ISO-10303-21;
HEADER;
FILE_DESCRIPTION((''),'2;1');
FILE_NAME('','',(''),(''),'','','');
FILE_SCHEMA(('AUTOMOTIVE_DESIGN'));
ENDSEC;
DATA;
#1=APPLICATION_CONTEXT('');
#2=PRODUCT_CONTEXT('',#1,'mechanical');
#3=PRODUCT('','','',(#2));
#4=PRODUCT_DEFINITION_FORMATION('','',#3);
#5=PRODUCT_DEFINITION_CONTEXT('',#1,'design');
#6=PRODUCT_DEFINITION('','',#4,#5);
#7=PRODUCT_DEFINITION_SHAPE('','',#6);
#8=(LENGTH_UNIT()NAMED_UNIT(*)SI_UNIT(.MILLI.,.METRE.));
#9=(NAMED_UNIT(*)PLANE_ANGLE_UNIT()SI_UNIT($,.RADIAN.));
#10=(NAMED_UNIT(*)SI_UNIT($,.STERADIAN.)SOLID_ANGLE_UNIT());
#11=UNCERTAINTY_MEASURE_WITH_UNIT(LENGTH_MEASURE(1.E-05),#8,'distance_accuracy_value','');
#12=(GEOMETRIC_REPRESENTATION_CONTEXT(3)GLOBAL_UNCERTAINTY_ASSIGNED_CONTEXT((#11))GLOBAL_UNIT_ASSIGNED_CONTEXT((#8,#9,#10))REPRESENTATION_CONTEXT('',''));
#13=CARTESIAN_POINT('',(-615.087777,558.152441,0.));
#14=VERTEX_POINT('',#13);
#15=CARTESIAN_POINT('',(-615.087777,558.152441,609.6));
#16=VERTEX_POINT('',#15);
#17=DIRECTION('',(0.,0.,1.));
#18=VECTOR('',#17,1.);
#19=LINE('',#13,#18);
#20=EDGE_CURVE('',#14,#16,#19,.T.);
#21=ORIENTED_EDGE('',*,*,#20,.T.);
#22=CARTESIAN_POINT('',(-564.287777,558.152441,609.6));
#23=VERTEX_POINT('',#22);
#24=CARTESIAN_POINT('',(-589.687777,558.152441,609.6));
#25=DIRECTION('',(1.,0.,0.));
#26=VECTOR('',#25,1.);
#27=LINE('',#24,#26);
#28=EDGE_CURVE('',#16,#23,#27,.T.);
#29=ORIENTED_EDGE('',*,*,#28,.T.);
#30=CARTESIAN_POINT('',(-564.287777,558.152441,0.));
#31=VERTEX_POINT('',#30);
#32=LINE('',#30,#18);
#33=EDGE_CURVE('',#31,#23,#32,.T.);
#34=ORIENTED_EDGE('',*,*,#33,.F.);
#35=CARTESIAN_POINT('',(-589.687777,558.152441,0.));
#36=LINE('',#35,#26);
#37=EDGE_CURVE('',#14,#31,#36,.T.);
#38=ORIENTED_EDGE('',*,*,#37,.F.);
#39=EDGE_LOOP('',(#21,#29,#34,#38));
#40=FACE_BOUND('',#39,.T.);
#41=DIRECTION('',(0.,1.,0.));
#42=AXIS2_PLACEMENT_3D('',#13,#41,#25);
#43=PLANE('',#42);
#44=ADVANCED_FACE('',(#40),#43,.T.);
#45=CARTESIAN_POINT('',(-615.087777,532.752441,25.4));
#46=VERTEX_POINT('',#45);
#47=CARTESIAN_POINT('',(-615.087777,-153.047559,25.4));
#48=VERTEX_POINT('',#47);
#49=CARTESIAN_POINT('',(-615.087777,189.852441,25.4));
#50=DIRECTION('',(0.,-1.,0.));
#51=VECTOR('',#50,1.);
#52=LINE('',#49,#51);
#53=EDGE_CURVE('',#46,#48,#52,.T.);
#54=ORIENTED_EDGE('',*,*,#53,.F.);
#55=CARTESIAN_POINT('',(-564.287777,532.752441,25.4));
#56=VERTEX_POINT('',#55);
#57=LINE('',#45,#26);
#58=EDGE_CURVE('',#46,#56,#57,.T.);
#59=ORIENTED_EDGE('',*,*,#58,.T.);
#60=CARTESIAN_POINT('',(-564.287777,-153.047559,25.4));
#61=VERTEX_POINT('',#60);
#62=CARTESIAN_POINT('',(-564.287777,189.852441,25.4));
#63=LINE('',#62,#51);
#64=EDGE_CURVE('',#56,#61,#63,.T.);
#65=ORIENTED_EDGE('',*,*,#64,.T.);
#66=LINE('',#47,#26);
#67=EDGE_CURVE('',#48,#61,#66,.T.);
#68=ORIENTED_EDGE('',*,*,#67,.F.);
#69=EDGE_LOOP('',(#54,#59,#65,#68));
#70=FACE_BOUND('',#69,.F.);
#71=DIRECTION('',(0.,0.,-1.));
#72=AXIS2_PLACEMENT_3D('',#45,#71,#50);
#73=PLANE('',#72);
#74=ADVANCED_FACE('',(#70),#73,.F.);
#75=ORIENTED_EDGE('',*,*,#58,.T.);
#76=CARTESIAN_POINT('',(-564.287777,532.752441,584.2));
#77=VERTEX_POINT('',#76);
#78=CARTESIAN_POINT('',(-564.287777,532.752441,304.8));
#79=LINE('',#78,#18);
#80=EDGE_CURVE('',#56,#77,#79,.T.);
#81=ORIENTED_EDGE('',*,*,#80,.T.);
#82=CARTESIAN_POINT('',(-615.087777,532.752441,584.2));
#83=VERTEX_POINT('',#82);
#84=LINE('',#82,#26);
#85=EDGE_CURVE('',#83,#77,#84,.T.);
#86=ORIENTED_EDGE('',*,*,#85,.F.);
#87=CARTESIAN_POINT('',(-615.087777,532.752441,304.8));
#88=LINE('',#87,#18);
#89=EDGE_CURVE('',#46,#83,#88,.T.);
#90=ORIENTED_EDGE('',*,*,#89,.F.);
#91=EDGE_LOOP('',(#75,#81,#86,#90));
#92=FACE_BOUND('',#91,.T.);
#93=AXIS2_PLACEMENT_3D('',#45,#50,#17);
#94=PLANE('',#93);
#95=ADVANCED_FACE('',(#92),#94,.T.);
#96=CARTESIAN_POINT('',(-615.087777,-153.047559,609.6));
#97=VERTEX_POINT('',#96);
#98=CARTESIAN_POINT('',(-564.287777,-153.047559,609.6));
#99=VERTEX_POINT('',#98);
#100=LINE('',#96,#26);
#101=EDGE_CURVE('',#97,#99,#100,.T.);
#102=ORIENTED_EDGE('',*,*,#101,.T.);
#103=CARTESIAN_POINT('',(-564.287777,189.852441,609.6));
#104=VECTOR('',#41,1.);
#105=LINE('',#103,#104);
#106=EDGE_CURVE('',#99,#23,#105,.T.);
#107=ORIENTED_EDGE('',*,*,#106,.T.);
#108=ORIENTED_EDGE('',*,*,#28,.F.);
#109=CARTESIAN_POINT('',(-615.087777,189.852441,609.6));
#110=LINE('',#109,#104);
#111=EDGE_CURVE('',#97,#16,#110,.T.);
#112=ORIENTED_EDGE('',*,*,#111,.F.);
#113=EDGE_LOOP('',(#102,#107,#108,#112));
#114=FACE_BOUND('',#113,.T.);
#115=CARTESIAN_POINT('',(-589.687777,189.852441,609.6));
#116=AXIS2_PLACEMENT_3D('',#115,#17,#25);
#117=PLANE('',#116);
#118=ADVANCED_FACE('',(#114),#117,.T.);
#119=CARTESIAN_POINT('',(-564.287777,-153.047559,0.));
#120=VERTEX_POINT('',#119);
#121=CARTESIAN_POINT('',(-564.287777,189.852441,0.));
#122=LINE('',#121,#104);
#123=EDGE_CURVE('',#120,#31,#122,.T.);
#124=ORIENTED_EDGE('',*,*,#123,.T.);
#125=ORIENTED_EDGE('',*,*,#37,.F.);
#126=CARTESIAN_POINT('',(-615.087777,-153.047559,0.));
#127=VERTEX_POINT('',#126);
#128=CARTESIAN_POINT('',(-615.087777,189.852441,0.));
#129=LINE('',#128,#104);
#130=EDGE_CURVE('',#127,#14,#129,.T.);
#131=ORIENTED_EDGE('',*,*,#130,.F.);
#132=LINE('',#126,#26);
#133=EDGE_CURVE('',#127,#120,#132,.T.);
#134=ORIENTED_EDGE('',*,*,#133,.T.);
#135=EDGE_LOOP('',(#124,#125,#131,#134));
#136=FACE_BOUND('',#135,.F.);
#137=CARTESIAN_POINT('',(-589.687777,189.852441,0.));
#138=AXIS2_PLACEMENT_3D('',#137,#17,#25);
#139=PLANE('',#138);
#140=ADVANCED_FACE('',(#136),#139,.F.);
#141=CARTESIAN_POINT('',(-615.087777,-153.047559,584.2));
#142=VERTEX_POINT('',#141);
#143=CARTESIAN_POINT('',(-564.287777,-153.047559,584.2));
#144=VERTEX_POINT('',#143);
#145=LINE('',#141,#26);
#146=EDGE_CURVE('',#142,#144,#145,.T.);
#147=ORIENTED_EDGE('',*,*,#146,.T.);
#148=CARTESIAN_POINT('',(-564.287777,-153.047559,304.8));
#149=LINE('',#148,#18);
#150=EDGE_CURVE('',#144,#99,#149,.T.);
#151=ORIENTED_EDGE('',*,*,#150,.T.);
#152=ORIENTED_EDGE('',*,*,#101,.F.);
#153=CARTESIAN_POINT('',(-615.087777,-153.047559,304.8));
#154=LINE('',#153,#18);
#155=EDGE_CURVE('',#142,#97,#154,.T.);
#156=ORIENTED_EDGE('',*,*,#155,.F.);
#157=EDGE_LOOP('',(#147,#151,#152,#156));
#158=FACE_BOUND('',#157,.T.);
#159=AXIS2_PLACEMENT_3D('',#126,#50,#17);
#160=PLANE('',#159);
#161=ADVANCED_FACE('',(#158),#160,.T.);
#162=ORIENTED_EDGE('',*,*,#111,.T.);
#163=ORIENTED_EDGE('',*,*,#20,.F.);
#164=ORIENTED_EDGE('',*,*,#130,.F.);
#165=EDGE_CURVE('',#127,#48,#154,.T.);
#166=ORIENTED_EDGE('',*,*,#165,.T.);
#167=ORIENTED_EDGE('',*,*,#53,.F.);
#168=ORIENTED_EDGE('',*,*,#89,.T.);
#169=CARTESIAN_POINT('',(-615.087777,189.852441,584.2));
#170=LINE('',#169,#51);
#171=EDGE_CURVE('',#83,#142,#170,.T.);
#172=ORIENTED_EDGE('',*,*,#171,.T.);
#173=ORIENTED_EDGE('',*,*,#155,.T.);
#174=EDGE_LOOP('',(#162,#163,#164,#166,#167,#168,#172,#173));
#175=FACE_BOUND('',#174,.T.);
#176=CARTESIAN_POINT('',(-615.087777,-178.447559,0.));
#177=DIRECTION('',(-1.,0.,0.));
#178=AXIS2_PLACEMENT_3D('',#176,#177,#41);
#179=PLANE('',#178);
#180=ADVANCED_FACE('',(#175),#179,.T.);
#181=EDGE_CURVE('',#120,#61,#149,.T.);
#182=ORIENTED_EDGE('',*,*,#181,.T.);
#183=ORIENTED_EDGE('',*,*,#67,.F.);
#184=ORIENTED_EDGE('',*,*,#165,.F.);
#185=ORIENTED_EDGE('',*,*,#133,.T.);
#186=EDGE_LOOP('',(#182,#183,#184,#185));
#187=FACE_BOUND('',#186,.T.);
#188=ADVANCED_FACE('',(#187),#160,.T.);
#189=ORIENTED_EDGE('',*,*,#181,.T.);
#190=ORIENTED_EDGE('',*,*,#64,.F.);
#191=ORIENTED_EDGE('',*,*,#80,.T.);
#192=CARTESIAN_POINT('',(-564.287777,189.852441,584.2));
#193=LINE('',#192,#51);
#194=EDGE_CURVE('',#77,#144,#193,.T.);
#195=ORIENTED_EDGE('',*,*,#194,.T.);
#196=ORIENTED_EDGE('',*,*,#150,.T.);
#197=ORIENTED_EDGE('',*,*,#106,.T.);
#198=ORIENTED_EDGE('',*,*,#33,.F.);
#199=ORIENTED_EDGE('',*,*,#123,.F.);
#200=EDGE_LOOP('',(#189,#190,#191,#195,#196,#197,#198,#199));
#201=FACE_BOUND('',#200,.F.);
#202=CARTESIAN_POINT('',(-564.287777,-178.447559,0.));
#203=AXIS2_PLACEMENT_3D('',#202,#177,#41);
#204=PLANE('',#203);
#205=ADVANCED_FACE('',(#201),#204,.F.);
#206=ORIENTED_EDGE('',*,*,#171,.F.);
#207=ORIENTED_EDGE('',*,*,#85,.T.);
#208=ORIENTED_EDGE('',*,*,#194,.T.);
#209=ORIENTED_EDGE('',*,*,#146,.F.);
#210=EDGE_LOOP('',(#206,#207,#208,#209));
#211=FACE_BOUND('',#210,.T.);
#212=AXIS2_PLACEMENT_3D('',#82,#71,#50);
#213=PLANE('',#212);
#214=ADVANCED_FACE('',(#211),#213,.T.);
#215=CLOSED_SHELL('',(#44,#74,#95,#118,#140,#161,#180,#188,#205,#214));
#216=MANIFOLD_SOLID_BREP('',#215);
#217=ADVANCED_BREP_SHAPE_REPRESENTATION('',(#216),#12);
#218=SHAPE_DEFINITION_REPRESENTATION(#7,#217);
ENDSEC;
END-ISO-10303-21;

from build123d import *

# Parameters (mm, degrees)
F0_W     = 50.8
F0_H     = 736.6
F1_DEPTH = 609.6
F2_W     = 685.8
F2_H     = 558.8
F3_DEPTH = 50.8
F4_W     = 25.4
F4_H     = 609.6
F5_DEPTH = 50.8


with BuildPart() as f1:
    # F0 (on Top) → F1 (new body)
    with BuildSketch(Plane.XY):
        with Locations((-589.687777, 189.852441)):
            Rectangle(F0_W, F0_H)
    extrude(amount=F1_DEPTH)

    # F2 (on face) → F3 (cut)
    with BuildSketch(Plane(origin=(-615.087777, 0, 0), x_dir=(0, -1, 0), z_dir=(-1, 0, 0))):
        with Locations((-189.852441, 304.8)):
            Rectangle(F2_W, F2_H)
    extrude(amount=-F3_DEPTH, mode=Mode.SUBTRACT)

    # F4 (on face) → F5 (cut)
    with BuildSketch(Plane(origin=(-615.087777, 0, 0), x_dir=(0, -1, 0), z_dir=(-1, 0, 0))):
        with Locations((165.747559, 304.8)):
            Rectangle(F4_W, F4_H)
    extrude(amount=-F5_DEPTH, mode=Mode.SUBTRACT)


solid = f1.part
